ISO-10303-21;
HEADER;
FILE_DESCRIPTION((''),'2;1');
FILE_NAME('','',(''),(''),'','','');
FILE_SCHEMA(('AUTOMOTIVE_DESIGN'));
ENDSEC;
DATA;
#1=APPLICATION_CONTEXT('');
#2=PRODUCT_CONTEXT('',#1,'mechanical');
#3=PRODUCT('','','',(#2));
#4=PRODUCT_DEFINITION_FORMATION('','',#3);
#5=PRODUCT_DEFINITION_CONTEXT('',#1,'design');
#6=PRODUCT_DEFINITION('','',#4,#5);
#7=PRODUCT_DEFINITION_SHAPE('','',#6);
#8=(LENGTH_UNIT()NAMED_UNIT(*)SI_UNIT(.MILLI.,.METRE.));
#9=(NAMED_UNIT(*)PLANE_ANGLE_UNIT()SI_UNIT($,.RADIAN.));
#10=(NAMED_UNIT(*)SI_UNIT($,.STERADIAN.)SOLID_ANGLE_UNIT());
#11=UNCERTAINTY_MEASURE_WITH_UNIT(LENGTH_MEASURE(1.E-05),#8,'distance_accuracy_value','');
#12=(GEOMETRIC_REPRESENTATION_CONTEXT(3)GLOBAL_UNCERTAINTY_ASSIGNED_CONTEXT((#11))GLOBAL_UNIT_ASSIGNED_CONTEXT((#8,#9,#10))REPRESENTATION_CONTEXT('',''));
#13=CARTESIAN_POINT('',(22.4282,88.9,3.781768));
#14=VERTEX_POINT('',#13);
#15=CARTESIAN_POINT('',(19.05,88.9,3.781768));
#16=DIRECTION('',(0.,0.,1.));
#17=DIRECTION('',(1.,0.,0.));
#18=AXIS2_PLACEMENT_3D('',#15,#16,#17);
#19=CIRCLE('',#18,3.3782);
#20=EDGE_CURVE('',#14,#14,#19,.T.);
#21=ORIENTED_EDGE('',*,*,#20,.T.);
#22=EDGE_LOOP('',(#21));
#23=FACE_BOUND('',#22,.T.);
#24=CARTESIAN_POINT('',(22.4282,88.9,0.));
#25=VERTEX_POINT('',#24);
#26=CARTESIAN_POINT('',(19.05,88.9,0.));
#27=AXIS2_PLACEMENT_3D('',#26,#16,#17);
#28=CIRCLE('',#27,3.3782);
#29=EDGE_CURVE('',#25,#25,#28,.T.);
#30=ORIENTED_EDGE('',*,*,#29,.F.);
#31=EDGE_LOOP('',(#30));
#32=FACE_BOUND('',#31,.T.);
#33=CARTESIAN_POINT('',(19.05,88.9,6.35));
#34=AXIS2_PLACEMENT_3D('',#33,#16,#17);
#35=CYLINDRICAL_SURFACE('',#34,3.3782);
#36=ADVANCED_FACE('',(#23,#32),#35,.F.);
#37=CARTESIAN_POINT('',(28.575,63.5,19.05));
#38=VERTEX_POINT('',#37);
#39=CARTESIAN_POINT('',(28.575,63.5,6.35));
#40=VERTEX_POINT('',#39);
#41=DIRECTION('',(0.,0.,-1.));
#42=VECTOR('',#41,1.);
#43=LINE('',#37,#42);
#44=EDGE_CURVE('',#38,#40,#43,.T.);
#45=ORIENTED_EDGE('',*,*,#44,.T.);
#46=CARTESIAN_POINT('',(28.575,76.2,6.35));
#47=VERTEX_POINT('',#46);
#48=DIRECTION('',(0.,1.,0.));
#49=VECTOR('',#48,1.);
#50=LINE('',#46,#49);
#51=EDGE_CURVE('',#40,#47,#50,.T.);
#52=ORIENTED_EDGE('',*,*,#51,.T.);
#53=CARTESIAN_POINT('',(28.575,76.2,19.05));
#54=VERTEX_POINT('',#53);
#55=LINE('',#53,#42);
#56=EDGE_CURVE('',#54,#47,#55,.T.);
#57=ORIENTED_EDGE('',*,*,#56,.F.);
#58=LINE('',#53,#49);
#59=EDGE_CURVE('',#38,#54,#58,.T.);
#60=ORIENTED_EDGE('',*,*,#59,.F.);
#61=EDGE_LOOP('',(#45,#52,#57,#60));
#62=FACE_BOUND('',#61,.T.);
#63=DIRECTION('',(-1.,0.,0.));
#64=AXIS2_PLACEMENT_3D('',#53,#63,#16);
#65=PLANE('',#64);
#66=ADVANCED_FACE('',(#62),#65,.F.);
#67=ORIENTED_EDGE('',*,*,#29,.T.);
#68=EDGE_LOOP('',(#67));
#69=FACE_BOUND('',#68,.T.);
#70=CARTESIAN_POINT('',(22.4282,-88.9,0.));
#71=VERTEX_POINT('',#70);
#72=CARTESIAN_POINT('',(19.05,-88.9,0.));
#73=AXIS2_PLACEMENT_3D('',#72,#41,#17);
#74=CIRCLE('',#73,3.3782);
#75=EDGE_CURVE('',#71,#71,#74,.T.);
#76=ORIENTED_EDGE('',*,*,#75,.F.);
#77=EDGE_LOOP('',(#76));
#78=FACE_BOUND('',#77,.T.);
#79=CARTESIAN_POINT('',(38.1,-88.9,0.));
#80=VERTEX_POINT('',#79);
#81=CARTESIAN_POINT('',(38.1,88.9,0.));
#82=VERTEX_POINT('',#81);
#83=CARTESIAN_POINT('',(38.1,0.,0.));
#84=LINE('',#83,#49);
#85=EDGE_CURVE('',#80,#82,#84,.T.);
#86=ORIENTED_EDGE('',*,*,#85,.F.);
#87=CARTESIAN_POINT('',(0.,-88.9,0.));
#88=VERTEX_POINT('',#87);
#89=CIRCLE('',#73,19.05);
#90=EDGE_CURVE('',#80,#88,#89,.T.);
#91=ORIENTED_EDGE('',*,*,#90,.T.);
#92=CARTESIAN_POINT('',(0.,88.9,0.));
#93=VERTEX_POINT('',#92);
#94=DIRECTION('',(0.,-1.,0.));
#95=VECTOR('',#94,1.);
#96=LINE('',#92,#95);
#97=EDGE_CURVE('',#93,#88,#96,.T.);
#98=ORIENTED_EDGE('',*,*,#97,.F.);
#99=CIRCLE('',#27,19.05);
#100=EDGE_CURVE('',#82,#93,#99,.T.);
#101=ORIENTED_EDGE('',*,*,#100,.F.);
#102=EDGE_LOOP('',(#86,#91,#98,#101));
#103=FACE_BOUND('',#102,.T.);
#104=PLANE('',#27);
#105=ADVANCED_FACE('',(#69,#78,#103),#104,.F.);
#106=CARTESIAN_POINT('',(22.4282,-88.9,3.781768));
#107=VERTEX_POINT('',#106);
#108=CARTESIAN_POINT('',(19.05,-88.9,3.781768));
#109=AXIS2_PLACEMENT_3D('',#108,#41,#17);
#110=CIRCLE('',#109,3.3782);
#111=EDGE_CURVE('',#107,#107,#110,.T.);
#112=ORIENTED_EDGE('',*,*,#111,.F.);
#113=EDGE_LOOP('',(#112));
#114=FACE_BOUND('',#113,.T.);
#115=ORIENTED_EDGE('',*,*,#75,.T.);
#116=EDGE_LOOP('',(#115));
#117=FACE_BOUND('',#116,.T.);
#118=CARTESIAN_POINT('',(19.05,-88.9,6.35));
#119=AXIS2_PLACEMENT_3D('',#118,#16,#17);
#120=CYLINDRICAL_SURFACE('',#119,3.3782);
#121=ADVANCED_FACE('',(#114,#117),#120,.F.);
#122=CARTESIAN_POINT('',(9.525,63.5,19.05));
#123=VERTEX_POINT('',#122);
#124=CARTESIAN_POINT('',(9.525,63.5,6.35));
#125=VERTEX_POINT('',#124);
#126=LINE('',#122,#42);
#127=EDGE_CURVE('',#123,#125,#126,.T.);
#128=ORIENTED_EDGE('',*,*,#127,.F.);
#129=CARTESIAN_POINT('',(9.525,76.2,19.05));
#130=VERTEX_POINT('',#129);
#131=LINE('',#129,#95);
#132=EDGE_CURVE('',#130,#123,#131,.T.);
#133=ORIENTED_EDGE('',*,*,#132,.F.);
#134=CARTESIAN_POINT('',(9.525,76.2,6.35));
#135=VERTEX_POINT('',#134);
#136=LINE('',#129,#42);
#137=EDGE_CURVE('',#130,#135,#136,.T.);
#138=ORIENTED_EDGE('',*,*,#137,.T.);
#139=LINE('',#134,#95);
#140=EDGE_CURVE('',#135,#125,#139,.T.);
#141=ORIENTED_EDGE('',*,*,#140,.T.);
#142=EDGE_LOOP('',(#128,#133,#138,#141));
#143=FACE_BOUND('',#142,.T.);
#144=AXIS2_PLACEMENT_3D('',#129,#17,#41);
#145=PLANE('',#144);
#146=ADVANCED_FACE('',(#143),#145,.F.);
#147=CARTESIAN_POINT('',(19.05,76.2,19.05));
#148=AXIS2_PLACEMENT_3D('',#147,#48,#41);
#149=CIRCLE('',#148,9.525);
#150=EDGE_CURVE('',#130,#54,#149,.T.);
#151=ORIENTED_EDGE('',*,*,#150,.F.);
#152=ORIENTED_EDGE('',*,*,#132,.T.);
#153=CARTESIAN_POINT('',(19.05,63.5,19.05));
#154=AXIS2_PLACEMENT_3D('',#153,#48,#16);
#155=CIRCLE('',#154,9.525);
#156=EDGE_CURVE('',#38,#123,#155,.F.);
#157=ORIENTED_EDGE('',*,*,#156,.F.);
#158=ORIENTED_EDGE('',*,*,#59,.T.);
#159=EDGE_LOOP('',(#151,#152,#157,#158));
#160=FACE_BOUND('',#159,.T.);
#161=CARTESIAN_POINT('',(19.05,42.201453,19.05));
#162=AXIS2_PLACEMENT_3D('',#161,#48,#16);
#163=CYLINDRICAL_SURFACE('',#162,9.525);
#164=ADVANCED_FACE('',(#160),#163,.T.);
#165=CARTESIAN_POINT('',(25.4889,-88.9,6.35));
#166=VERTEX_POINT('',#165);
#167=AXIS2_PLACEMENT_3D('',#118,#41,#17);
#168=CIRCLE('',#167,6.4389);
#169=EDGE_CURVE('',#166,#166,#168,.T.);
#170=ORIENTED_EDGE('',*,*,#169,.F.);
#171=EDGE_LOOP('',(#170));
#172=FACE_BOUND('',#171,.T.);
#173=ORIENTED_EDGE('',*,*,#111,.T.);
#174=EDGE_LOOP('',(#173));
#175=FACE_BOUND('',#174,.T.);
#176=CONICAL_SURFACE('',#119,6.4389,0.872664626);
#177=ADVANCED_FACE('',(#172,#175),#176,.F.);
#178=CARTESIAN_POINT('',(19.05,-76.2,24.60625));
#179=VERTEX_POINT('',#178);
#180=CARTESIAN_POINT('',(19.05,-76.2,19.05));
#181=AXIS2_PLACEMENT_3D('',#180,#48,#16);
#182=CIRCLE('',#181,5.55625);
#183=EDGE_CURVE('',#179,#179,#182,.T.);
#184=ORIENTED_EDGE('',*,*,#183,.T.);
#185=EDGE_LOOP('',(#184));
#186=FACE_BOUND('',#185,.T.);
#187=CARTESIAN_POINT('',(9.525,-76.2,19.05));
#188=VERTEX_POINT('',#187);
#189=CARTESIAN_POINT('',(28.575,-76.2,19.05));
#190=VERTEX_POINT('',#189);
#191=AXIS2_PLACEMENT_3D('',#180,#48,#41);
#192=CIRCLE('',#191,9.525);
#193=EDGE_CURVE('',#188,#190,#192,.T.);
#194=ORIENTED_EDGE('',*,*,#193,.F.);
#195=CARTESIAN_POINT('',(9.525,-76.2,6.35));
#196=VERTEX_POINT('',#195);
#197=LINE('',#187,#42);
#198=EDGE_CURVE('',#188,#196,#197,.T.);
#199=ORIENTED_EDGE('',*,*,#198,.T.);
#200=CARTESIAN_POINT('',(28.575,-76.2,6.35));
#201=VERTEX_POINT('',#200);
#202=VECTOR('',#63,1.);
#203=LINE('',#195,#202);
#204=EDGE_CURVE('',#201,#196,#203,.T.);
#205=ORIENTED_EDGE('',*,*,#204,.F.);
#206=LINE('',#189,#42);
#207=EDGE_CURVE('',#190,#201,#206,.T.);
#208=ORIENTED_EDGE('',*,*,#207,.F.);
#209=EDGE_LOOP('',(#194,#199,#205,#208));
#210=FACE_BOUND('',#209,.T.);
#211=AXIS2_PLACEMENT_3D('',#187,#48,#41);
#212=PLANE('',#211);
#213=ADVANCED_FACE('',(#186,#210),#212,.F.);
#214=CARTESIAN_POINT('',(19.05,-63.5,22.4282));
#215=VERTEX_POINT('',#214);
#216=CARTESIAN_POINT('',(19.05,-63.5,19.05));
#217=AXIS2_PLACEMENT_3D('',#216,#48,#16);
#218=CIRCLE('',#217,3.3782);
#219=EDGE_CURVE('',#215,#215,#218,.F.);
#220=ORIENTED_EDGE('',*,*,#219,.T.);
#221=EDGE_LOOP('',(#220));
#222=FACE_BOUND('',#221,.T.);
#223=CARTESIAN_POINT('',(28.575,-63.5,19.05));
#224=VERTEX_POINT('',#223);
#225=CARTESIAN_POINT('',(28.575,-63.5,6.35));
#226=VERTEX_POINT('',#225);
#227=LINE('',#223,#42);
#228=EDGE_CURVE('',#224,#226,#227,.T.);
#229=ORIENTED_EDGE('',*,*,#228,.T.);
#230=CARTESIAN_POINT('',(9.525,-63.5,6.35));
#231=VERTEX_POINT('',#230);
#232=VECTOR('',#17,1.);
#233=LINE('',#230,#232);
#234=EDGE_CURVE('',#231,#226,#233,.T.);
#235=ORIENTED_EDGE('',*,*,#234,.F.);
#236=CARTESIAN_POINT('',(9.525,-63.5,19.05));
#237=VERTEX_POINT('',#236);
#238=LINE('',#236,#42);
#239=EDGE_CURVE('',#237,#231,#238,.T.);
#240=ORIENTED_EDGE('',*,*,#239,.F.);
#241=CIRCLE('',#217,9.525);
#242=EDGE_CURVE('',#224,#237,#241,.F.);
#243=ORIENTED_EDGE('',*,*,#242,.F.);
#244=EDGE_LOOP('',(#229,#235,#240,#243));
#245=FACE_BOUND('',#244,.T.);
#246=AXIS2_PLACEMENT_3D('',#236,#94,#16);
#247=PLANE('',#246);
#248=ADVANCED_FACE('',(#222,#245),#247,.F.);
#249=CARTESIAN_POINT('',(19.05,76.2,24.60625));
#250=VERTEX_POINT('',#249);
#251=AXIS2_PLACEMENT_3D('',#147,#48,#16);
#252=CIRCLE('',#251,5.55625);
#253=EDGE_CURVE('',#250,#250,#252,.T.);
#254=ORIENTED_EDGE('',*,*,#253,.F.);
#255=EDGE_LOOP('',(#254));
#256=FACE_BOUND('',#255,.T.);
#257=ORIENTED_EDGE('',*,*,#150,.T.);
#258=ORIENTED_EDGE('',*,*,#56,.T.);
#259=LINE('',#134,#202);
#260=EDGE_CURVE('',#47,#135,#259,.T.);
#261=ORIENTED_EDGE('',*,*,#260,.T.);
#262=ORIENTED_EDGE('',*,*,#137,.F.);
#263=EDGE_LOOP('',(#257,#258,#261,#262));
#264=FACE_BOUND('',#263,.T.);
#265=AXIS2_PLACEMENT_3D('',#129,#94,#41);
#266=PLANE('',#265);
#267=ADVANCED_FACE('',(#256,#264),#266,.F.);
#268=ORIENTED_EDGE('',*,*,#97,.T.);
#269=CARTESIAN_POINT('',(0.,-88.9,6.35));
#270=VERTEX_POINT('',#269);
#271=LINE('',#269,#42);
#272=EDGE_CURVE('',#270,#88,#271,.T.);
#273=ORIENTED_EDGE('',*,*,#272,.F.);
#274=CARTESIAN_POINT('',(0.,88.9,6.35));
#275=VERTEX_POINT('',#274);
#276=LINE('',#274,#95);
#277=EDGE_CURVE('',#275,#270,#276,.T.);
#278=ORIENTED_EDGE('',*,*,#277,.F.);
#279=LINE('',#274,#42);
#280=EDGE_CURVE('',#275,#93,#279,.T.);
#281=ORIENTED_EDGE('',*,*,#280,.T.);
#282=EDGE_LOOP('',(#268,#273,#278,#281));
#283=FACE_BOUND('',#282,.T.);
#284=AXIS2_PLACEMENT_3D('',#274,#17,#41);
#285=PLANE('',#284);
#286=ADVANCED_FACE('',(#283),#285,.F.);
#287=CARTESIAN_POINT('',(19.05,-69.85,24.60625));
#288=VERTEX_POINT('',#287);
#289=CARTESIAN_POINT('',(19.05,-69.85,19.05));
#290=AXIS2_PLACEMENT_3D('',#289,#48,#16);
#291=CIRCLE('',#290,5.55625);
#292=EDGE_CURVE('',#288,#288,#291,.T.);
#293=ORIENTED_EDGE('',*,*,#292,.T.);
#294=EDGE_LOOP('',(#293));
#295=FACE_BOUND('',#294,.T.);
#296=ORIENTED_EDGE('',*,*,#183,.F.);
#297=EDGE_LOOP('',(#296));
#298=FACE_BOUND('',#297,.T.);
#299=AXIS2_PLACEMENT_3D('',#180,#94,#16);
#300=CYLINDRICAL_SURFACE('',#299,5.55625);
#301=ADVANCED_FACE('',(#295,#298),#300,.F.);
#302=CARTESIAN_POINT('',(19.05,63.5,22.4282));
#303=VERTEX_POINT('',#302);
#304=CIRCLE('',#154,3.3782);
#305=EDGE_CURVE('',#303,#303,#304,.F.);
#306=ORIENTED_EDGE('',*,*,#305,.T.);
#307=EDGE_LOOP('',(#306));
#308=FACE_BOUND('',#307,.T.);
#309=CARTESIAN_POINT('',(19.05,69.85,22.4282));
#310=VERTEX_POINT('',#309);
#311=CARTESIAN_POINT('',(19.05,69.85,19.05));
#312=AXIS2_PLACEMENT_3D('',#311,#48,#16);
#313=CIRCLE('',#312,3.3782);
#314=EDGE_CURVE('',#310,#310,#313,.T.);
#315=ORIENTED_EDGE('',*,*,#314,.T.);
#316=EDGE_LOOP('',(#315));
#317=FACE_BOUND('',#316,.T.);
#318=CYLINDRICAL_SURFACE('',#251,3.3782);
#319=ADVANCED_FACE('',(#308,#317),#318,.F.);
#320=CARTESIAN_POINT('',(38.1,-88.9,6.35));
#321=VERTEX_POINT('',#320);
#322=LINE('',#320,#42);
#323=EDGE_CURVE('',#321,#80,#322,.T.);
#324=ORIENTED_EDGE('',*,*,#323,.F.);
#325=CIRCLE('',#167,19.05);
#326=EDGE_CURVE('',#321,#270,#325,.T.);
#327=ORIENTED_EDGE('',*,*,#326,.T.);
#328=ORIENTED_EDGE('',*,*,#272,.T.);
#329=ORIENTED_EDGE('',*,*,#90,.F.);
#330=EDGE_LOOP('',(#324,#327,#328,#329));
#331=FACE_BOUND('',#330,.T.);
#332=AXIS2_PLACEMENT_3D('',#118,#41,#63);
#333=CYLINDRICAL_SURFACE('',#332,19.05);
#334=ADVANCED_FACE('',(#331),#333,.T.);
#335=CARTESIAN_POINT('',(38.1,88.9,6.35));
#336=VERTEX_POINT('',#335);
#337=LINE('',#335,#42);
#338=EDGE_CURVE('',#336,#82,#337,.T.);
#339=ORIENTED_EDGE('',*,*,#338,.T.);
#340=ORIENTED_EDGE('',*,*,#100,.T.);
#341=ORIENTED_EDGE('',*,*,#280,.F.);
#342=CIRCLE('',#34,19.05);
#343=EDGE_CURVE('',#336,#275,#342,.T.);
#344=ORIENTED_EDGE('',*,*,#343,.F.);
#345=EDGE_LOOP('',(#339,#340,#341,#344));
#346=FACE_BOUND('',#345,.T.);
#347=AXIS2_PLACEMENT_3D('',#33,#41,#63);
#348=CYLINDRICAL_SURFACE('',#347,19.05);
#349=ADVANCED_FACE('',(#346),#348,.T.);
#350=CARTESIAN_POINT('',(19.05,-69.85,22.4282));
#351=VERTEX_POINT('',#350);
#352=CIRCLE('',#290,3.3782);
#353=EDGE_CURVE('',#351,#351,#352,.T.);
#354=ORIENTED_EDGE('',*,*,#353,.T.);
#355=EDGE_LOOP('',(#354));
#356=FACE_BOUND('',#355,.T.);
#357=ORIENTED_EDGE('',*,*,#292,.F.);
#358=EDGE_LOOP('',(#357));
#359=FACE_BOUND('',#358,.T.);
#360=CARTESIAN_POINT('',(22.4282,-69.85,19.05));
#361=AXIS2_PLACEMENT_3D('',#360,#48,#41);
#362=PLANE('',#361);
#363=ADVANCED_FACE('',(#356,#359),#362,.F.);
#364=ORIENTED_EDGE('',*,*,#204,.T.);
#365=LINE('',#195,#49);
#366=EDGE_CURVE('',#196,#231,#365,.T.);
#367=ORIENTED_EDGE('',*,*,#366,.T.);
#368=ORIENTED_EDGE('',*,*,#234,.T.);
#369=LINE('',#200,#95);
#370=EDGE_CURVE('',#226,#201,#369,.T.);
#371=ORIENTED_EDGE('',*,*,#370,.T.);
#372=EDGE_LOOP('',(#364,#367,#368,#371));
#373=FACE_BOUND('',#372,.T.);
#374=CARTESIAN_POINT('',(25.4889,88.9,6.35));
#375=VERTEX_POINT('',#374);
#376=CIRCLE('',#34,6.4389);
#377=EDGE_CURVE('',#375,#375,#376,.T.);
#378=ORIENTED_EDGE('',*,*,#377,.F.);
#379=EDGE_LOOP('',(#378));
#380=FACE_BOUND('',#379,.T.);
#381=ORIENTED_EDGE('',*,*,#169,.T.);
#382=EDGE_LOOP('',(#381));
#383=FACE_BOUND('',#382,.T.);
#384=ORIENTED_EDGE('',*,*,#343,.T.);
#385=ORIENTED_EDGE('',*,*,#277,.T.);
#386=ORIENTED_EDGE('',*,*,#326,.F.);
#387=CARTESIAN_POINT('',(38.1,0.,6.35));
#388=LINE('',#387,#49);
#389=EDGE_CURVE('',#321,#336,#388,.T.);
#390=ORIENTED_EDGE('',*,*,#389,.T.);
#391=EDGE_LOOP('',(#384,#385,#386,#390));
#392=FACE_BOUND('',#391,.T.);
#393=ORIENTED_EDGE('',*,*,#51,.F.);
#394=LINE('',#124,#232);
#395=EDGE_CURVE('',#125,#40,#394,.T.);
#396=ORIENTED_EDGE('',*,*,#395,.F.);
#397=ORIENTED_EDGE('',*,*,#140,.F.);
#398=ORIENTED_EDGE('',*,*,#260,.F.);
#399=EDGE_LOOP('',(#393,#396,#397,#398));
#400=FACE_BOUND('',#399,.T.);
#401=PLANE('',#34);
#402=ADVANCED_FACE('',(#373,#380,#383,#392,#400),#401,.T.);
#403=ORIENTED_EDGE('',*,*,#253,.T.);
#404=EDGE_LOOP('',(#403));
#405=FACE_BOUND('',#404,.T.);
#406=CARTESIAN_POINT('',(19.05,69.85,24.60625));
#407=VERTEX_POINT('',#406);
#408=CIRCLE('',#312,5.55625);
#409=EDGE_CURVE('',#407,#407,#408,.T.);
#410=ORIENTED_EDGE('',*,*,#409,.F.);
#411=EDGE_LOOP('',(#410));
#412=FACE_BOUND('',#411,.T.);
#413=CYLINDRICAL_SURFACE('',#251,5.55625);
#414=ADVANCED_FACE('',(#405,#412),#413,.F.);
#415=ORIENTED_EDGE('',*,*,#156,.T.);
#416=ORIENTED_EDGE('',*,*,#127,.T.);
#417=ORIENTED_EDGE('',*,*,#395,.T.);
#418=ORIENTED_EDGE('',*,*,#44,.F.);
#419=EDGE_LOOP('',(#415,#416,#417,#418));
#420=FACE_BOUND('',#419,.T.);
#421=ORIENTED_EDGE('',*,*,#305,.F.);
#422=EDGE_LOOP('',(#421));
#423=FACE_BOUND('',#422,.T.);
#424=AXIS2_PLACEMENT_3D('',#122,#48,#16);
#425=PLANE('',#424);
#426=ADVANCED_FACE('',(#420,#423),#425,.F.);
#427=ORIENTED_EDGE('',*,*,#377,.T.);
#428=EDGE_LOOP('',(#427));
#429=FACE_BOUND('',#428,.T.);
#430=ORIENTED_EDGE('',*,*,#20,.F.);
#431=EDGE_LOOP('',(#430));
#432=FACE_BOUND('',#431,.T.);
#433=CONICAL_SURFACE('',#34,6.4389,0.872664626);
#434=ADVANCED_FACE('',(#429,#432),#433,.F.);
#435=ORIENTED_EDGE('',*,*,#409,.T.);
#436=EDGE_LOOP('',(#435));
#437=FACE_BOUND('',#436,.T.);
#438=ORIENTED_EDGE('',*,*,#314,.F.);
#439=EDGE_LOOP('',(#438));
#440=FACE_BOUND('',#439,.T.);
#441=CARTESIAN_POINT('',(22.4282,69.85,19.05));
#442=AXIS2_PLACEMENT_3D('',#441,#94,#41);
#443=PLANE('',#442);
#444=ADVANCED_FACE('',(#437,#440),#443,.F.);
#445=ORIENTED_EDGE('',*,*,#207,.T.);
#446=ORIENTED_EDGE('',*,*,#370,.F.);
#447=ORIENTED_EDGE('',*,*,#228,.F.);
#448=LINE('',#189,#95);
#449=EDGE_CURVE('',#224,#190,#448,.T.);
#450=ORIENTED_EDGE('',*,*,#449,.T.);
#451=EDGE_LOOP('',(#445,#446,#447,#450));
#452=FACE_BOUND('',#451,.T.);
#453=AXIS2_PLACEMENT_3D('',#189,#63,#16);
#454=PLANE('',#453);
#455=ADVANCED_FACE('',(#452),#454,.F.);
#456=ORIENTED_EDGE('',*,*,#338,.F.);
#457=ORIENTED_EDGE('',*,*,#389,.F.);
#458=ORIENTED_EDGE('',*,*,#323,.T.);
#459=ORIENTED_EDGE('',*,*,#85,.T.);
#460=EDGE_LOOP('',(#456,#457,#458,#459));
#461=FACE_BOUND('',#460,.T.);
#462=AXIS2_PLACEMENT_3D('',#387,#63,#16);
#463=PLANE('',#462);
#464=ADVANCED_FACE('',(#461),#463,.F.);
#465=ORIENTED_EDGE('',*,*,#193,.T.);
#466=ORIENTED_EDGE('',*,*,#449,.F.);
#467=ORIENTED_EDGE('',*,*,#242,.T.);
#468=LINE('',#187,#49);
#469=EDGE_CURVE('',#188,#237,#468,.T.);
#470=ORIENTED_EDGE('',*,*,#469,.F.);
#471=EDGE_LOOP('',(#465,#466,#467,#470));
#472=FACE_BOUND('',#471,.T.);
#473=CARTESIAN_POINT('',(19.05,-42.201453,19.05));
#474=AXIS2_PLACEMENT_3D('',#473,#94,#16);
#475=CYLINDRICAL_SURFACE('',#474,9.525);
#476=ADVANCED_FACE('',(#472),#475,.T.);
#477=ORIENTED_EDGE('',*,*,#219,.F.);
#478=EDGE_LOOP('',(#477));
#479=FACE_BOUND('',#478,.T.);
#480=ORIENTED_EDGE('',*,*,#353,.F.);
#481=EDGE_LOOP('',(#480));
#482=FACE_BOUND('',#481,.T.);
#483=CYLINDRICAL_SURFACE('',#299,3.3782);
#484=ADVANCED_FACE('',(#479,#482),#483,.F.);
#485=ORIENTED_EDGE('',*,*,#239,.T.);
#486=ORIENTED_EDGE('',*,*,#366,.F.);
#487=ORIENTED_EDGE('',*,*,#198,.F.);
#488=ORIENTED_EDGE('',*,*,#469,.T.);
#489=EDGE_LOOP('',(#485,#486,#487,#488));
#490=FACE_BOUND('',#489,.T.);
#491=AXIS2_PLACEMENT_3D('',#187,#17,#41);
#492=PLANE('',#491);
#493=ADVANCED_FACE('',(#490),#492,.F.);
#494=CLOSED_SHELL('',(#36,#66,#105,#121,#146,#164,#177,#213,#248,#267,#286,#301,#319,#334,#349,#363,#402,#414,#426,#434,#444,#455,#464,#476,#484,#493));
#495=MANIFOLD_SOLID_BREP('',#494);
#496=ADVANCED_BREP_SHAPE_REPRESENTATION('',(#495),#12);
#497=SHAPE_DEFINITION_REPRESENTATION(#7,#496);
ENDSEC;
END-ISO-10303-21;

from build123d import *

# Parameters (mm, degrees)
BOSS_EXTRUDE1_DEPTH                                 = 6.35
CSK_FOR_1_4_FLAT_HEAD_MACHINE_SCREW_100_D           = 6.7564
CSK_FOR_1_4_FLAT_HEAD_MACHINE_SCREW_100_CSINK_D     = 12.8778
CSK_FOR_1_4_FLAT_HEAD_MACHINE_SCREW_100_CSINK_ANGLE = 100
SKETCH5_W                                           = 19.05
SKETCH5_H                                           = 12.7
BOSS_EXTRUDE2_DEPTH                                 = 12.7
BOSS_EXTRUDE3_DEPTH                                 = 12.7
CBORE_FOR_1_4_SOCKET_HEAD_CAP_SCREW1_D              = 6.7564
CBORE_FOR_1_4_SOCKET_HEAD_CAP_SCREW1_DEPTH          = 12.7
CBORE_FOR_1_4_SOCKET_HEAD_CAP_SCREW1_CBORE_D        = 11.1125
CBORE_FOR_1_4_SOCKET_HEAD_CAP_SCREW1_CBORE_DEPTH    = 6.35
CBORE_FOR_1_4_SOCKET_HEAD_CAP_SCREW1_TIP            = 2.029827343


with BuildPart() as part:
    # Sketch1 → Boss-Extrude1 (new body)
    with BuildSketch(Plane.XY):
        with BuildLine():
            Line((0, 0), (38.1, 0))
            Line((38.1, 0), (38.1, 88.9))
            ThreePointArc((38.1, 88.9), (19.05, 107.95), (0, 88.9))
            Line((0, 88.9), (0, 0))
        make_face()
    extrude(amount=BOSS_EXTRUDE1_DEPTH)

    # CSK for 1/4 Flat Head Machine Screw (100)1 (through all)
    with Locations(Plane.XY.offset(6.35)):
        with Locations((19.05, 88.9)):
            CounterSinkHole(CSK_FOR_1_4_FLAT_HEAD_MACHINE_SCREW_100_D / 2, CSK_FOR_1_4_FLAT_HEAD_MACHINE_SCREW_100_CSINK_D / 2, counter_sink_angle=CSK_FOR_1_4_FLAT_HEAD_MACHINE_SCREW_100_CSINK_ANGLE)

    # Sketch5 → Boss-Extrude2 (add)
    with BuildSketch(Plane.XY.offset(6.35)):
        with Locations((19.05, 69.85)):
            Rectangle(SKETCH5_W, SKETCH5_H)
    extrude(amount=BOSS_EXTRUDE2_DEPTH)

    # Sketch6 → Boss-Extrude3 (add)
    with BuildSketch(Plane(origin=(0, 76.2, 0), x_dir=(1, 0, 0), z_dir=(0, 1, 0))):
        with BuildLine():
            Line((9.525, -19.05), (28.575, -19.05))
            ThreePointArc((28.575, -19.05), (19.05, -28.575), (9.525, -19.05))
        make_face()
    extrude(amount=-BOSS_EXTRUDE3_DEPTH)

    # CBORE for 1/4 Socket Head Cap Screw1
    with Locations(Plane(origin=(0, 76.2, 0), x_dir=(1, 0, 0), z_dir=(0, 1, 0))):
        with Locations((19.05, -19.05)):
            CounterBoreHole(CBORE_FOR_1_4_SOCKET_HEAD_CAP_SCREW1_D / 2, CBORE_FOR_1_4_SOCKET_HEAD_CAP_SCREW1_CBORE_D / 2, CBORE_FOR_1_4_SOCKET_HEAD_CAP_SCREW1_CBORE_DEPTH, depth=CBORE_FOR_1_4_SOCKET_HEAD_CAP_SCREW1_DEPTH)
            with Locations((0, 0, -(CBORE_FOR_1_4_SOCKET_HEAD_CAP_SCREW1_DEPTH + CBORE_FOR_1_4_SOCKET_HEAD_CAP_SCREW1_TIP / 2))):  # 118° drill point
                Cone(0, CBORE_FOR_1_4_SOCKET_HEAD_CAP_SCREW1_D / 2, CBORE_FOR_1_4_SOCKET_HEAD_CAP_SCREW1_TIP, mode=Mode.SUBTRACT)

    # Mirror1: part across plane


with BuildPart() as part_1:
    add(part.part)
    add(part.part.mirror(Plane(origin=(0, 0, 6.35), x_dir=(0, 0, 1), z_dir=(0, 1, 0))))


solid = part_1.part
